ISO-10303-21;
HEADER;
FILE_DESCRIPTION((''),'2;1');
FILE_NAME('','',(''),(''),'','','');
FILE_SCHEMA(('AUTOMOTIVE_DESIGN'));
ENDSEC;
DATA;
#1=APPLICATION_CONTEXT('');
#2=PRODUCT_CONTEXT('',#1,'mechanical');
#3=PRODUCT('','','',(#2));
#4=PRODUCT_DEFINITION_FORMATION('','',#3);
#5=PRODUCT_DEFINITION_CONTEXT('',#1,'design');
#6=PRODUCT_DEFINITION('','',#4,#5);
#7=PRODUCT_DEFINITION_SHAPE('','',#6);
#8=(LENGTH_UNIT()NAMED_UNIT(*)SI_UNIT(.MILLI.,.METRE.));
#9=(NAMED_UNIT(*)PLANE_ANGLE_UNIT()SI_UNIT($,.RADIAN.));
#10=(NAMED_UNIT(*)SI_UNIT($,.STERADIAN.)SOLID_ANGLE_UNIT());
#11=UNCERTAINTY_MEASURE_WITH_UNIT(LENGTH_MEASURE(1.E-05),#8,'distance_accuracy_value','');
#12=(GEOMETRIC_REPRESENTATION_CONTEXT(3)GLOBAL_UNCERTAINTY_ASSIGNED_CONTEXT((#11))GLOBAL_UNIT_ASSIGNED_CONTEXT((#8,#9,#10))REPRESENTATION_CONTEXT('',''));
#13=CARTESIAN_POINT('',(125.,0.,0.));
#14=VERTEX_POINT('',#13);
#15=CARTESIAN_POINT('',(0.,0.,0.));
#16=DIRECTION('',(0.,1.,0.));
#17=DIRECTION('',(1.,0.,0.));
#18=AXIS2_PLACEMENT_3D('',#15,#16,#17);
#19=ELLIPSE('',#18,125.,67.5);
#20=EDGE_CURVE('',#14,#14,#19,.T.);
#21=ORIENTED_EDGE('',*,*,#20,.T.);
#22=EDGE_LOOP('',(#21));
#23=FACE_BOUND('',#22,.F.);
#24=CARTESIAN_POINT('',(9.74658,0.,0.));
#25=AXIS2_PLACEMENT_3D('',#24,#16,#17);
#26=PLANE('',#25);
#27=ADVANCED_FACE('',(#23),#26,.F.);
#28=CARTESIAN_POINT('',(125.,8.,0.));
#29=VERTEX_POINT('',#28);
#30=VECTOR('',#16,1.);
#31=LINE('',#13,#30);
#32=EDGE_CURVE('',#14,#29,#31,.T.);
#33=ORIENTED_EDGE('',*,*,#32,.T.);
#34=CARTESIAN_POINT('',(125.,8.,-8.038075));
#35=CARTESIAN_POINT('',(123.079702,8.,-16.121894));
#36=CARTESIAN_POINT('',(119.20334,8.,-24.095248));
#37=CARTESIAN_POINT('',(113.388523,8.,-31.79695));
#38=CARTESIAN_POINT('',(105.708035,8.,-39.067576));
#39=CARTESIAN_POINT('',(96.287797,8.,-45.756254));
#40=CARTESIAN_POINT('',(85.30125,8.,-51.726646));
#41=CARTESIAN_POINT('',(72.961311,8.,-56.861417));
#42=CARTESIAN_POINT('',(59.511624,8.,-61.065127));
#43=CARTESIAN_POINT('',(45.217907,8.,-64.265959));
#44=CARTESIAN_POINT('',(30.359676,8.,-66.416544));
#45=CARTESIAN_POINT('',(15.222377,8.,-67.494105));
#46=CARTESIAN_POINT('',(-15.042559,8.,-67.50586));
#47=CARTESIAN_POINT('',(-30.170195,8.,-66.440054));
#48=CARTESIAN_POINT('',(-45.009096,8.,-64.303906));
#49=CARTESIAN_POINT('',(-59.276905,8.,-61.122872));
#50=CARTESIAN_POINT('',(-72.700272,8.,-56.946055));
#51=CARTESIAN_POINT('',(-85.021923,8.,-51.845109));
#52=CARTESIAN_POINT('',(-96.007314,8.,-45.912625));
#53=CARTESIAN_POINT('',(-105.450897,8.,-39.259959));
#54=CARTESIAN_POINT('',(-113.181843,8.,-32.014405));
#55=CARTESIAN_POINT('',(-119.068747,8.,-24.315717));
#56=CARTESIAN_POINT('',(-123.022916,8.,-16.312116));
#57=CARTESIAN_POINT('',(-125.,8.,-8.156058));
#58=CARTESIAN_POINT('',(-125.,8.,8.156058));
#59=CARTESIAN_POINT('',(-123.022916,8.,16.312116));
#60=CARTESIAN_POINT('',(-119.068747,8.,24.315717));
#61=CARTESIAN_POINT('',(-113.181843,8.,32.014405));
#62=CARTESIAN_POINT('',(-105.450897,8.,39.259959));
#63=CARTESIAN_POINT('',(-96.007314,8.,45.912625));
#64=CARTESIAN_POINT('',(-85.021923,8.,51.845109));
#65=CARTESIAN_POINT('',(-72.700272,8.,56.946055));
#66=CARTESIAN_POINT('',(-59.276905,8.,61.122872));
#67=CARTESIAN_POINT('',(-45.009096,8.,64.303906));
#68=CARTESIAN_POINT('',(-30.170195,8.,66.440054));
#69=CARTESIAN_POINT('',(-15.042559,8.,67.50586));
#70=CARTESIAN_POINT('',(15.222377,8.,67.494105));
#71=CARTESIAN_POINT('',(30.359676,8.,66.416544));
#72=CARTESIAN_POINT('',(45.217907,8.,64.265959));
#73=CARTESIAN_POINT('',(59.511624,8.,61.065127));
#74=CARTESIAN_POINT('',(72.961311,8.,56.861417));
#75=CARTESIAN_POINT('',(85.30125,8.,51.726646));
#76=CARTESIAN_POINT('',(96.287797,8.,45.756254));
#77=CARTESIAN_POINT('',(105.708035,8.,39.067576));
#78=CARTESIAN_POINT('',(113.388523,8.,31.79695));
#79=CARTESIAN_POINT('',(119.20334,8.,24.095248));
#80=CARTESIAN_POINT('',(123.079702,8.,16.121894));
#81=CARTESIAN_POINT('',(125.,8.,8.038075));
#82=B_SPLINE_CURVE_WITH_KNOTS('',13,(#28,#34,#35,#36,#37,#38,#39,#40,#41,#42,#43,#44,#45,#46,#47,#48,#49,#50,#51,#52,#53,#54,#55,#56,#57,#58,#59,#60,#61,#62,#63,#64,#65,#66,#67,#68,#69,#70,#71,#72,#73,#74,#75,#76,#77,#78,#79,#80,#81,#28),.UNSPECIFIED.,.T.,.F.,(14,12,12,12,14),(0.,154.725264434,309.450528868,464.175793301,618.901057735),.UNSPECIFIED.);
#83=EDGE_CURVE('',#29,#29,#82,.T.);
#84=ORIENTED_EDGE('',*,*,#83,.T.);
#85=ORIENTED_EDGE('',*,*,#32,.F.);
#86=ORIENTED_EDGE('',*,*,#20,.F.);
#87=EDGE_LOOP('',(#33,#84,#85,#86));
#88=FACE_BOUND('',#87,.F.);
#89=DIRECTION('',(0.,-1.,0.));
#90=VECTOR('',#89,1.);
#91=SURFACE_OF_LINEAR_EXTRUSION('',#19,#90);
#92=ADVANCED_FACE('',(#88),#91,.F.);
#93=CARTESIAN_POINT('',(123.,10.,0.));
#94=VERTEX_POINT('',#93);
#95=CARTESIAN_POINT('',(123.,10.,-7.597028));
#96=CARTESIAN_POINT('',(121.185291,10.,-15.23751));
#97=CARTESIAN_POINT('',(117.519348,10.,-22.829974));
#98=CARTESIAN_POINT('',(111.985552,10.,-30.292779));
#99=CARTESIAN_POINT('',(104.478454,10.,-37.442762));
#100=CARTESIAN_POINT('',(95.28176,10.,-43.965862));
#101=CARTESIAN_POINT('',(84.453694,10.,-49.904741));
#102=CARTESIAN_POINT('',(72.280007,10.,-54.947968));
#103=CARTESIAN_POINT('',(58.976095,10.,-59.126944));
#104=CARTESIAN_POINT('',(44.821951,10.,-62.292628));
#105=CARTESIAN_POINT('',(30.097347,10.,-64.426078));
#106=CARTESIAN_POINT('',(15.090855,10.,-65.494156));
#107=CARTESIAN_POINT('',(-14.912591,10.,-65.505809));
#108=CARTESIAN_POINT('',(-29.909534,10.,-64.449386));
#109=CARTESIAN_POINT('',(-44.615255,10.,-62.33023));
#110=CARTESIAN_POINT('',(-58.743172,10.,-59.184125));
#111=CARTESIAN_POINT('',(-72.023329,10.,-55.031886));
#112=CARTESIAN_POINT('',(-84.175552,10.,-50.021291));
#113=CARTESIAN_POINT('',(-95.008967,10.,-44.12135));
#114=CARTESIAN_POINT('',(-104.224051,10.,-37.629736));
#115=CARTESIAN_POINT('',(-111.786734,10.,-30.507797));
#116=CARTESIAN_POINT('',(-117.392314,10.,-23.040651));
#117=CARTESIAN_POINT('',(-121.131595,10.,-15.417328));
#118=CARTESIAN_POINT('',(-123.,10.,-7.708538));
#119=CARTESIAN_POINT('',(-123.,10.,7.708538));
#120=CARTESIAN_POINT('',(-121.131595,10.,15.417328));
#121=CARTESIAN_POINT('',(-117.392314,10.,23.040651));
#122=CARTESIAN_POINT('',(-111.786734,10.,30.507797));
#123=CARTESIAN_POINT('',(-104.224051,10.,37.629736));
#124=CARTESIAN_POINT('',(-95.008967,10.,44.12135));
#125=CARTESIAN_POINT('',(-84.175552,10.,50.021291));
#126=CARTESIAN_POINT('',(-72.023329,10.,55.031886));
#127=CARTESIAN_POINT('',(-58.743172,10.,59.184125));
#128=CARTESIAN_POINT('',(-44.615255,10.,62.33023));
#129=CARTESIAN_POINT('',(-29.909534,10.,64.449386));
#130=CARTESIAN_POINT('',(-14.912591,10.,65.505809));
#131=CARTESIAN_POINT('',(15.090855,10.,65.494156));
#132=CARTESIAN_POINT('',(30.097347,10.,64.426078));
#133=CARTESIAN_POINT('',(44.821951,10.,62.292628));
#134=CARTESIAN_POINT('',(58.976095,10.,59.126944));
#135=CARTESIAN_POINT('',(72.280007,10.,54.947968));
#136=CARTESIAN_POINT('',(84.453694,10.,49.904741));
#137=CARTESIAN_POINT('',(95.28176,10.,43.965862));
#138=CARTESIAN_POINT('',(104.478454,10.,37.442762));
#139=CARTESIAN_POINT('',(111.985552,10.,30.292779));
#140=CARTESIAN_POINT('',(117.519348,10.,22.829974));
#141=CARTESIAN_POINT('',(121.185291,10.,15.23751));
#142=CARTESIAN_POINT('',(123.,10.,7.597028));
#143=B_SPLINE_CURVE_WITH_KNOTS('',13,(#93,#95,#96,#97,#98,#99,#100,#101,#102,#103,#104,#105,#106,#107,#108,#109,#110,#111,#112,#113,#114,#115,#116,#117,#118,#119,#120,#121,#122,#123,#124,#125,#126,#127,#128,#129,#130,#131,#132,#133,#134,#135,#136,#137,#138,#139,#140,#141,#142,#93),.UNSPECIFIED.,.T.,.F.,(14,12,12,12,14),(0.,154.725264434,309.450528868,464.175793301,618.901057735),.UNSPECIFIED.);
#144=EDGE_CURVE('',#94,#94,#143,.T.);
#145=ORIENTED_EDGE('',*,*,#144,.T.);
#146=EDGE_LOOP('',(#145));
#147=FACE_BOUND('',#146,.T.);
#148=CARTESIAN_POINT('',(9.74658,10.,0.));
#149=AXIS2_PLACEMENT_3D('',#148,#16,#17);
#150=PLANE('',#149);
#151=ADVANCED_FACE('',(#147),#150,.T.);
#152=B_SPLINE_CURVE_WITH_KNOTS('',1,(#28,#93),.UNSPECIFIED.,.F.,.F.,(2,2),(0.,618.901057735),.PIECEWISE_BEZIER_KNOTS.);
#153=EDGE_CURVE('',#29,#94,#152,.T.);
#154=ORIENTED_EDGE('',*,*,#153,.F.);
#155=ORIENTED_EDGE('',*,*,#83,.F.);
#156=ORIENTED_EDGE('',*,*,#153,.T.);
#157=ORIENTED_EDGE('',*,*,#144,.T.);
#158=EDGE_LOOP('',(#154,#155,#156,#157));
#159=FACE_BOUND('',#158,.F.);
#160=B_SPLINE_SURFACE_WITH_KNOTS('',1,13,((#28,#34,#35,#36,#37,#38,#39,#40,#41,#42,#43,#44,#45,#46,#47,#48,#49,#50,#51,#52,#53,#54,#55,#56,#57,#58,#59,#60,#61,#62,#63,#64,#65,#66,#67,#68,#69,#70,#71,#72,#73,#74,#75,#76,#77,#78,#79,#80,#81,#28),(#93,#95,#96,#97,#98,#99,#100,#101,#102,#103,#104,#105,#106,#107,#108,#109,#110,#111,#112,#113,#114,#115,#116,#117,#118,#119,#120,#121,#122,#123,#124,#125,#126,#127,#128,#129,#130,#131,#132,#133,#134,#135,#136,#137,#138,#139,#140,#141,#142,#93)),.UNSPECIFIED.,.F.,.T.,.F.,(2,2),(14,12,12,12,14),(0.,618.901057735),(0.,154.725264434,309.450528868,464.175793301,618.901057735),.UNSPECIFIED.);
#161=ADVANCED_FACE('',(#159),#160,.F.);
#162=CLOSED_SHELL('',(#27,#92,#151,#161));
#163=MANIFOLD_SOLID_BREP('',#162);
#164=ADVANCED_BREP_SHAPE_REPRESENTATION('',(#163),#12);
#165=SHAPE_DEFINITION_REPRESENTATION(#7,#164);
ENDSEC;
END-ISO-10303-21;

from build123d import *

# Parameters (mm, degrees)
SKETCH1_RX          = 125
SKETCH1_RY          = 67.5
BOSS_EXTRUDE1_DEPTH = 10
CHAMFER1_SIZE       = 2


with BuildPart() as part:
    # Sketch1 → Boss-Extrude1 (new body)
    with BuildSketch(Plane(origin=(0, 0, 0), x_dir=(1, 0, 0), z_dir=(0, 1, 0))):
        with Locations((0, 0)):
            Ellipse(SKETCH1_RX, SKETCH1_RY)
    extrude(amount=BOSS_EXTRUDE1_DEPTH)

    # Chamfer1
    chamfer1_edges = [part.edges().sort_by_distance(p)[0] for p in [
        (-124.99885436, 10, 0.288992647),
    ]]
    chamfer(chamfer1_edges, length=CHAMFER1_SIZE)


solid = part.part
